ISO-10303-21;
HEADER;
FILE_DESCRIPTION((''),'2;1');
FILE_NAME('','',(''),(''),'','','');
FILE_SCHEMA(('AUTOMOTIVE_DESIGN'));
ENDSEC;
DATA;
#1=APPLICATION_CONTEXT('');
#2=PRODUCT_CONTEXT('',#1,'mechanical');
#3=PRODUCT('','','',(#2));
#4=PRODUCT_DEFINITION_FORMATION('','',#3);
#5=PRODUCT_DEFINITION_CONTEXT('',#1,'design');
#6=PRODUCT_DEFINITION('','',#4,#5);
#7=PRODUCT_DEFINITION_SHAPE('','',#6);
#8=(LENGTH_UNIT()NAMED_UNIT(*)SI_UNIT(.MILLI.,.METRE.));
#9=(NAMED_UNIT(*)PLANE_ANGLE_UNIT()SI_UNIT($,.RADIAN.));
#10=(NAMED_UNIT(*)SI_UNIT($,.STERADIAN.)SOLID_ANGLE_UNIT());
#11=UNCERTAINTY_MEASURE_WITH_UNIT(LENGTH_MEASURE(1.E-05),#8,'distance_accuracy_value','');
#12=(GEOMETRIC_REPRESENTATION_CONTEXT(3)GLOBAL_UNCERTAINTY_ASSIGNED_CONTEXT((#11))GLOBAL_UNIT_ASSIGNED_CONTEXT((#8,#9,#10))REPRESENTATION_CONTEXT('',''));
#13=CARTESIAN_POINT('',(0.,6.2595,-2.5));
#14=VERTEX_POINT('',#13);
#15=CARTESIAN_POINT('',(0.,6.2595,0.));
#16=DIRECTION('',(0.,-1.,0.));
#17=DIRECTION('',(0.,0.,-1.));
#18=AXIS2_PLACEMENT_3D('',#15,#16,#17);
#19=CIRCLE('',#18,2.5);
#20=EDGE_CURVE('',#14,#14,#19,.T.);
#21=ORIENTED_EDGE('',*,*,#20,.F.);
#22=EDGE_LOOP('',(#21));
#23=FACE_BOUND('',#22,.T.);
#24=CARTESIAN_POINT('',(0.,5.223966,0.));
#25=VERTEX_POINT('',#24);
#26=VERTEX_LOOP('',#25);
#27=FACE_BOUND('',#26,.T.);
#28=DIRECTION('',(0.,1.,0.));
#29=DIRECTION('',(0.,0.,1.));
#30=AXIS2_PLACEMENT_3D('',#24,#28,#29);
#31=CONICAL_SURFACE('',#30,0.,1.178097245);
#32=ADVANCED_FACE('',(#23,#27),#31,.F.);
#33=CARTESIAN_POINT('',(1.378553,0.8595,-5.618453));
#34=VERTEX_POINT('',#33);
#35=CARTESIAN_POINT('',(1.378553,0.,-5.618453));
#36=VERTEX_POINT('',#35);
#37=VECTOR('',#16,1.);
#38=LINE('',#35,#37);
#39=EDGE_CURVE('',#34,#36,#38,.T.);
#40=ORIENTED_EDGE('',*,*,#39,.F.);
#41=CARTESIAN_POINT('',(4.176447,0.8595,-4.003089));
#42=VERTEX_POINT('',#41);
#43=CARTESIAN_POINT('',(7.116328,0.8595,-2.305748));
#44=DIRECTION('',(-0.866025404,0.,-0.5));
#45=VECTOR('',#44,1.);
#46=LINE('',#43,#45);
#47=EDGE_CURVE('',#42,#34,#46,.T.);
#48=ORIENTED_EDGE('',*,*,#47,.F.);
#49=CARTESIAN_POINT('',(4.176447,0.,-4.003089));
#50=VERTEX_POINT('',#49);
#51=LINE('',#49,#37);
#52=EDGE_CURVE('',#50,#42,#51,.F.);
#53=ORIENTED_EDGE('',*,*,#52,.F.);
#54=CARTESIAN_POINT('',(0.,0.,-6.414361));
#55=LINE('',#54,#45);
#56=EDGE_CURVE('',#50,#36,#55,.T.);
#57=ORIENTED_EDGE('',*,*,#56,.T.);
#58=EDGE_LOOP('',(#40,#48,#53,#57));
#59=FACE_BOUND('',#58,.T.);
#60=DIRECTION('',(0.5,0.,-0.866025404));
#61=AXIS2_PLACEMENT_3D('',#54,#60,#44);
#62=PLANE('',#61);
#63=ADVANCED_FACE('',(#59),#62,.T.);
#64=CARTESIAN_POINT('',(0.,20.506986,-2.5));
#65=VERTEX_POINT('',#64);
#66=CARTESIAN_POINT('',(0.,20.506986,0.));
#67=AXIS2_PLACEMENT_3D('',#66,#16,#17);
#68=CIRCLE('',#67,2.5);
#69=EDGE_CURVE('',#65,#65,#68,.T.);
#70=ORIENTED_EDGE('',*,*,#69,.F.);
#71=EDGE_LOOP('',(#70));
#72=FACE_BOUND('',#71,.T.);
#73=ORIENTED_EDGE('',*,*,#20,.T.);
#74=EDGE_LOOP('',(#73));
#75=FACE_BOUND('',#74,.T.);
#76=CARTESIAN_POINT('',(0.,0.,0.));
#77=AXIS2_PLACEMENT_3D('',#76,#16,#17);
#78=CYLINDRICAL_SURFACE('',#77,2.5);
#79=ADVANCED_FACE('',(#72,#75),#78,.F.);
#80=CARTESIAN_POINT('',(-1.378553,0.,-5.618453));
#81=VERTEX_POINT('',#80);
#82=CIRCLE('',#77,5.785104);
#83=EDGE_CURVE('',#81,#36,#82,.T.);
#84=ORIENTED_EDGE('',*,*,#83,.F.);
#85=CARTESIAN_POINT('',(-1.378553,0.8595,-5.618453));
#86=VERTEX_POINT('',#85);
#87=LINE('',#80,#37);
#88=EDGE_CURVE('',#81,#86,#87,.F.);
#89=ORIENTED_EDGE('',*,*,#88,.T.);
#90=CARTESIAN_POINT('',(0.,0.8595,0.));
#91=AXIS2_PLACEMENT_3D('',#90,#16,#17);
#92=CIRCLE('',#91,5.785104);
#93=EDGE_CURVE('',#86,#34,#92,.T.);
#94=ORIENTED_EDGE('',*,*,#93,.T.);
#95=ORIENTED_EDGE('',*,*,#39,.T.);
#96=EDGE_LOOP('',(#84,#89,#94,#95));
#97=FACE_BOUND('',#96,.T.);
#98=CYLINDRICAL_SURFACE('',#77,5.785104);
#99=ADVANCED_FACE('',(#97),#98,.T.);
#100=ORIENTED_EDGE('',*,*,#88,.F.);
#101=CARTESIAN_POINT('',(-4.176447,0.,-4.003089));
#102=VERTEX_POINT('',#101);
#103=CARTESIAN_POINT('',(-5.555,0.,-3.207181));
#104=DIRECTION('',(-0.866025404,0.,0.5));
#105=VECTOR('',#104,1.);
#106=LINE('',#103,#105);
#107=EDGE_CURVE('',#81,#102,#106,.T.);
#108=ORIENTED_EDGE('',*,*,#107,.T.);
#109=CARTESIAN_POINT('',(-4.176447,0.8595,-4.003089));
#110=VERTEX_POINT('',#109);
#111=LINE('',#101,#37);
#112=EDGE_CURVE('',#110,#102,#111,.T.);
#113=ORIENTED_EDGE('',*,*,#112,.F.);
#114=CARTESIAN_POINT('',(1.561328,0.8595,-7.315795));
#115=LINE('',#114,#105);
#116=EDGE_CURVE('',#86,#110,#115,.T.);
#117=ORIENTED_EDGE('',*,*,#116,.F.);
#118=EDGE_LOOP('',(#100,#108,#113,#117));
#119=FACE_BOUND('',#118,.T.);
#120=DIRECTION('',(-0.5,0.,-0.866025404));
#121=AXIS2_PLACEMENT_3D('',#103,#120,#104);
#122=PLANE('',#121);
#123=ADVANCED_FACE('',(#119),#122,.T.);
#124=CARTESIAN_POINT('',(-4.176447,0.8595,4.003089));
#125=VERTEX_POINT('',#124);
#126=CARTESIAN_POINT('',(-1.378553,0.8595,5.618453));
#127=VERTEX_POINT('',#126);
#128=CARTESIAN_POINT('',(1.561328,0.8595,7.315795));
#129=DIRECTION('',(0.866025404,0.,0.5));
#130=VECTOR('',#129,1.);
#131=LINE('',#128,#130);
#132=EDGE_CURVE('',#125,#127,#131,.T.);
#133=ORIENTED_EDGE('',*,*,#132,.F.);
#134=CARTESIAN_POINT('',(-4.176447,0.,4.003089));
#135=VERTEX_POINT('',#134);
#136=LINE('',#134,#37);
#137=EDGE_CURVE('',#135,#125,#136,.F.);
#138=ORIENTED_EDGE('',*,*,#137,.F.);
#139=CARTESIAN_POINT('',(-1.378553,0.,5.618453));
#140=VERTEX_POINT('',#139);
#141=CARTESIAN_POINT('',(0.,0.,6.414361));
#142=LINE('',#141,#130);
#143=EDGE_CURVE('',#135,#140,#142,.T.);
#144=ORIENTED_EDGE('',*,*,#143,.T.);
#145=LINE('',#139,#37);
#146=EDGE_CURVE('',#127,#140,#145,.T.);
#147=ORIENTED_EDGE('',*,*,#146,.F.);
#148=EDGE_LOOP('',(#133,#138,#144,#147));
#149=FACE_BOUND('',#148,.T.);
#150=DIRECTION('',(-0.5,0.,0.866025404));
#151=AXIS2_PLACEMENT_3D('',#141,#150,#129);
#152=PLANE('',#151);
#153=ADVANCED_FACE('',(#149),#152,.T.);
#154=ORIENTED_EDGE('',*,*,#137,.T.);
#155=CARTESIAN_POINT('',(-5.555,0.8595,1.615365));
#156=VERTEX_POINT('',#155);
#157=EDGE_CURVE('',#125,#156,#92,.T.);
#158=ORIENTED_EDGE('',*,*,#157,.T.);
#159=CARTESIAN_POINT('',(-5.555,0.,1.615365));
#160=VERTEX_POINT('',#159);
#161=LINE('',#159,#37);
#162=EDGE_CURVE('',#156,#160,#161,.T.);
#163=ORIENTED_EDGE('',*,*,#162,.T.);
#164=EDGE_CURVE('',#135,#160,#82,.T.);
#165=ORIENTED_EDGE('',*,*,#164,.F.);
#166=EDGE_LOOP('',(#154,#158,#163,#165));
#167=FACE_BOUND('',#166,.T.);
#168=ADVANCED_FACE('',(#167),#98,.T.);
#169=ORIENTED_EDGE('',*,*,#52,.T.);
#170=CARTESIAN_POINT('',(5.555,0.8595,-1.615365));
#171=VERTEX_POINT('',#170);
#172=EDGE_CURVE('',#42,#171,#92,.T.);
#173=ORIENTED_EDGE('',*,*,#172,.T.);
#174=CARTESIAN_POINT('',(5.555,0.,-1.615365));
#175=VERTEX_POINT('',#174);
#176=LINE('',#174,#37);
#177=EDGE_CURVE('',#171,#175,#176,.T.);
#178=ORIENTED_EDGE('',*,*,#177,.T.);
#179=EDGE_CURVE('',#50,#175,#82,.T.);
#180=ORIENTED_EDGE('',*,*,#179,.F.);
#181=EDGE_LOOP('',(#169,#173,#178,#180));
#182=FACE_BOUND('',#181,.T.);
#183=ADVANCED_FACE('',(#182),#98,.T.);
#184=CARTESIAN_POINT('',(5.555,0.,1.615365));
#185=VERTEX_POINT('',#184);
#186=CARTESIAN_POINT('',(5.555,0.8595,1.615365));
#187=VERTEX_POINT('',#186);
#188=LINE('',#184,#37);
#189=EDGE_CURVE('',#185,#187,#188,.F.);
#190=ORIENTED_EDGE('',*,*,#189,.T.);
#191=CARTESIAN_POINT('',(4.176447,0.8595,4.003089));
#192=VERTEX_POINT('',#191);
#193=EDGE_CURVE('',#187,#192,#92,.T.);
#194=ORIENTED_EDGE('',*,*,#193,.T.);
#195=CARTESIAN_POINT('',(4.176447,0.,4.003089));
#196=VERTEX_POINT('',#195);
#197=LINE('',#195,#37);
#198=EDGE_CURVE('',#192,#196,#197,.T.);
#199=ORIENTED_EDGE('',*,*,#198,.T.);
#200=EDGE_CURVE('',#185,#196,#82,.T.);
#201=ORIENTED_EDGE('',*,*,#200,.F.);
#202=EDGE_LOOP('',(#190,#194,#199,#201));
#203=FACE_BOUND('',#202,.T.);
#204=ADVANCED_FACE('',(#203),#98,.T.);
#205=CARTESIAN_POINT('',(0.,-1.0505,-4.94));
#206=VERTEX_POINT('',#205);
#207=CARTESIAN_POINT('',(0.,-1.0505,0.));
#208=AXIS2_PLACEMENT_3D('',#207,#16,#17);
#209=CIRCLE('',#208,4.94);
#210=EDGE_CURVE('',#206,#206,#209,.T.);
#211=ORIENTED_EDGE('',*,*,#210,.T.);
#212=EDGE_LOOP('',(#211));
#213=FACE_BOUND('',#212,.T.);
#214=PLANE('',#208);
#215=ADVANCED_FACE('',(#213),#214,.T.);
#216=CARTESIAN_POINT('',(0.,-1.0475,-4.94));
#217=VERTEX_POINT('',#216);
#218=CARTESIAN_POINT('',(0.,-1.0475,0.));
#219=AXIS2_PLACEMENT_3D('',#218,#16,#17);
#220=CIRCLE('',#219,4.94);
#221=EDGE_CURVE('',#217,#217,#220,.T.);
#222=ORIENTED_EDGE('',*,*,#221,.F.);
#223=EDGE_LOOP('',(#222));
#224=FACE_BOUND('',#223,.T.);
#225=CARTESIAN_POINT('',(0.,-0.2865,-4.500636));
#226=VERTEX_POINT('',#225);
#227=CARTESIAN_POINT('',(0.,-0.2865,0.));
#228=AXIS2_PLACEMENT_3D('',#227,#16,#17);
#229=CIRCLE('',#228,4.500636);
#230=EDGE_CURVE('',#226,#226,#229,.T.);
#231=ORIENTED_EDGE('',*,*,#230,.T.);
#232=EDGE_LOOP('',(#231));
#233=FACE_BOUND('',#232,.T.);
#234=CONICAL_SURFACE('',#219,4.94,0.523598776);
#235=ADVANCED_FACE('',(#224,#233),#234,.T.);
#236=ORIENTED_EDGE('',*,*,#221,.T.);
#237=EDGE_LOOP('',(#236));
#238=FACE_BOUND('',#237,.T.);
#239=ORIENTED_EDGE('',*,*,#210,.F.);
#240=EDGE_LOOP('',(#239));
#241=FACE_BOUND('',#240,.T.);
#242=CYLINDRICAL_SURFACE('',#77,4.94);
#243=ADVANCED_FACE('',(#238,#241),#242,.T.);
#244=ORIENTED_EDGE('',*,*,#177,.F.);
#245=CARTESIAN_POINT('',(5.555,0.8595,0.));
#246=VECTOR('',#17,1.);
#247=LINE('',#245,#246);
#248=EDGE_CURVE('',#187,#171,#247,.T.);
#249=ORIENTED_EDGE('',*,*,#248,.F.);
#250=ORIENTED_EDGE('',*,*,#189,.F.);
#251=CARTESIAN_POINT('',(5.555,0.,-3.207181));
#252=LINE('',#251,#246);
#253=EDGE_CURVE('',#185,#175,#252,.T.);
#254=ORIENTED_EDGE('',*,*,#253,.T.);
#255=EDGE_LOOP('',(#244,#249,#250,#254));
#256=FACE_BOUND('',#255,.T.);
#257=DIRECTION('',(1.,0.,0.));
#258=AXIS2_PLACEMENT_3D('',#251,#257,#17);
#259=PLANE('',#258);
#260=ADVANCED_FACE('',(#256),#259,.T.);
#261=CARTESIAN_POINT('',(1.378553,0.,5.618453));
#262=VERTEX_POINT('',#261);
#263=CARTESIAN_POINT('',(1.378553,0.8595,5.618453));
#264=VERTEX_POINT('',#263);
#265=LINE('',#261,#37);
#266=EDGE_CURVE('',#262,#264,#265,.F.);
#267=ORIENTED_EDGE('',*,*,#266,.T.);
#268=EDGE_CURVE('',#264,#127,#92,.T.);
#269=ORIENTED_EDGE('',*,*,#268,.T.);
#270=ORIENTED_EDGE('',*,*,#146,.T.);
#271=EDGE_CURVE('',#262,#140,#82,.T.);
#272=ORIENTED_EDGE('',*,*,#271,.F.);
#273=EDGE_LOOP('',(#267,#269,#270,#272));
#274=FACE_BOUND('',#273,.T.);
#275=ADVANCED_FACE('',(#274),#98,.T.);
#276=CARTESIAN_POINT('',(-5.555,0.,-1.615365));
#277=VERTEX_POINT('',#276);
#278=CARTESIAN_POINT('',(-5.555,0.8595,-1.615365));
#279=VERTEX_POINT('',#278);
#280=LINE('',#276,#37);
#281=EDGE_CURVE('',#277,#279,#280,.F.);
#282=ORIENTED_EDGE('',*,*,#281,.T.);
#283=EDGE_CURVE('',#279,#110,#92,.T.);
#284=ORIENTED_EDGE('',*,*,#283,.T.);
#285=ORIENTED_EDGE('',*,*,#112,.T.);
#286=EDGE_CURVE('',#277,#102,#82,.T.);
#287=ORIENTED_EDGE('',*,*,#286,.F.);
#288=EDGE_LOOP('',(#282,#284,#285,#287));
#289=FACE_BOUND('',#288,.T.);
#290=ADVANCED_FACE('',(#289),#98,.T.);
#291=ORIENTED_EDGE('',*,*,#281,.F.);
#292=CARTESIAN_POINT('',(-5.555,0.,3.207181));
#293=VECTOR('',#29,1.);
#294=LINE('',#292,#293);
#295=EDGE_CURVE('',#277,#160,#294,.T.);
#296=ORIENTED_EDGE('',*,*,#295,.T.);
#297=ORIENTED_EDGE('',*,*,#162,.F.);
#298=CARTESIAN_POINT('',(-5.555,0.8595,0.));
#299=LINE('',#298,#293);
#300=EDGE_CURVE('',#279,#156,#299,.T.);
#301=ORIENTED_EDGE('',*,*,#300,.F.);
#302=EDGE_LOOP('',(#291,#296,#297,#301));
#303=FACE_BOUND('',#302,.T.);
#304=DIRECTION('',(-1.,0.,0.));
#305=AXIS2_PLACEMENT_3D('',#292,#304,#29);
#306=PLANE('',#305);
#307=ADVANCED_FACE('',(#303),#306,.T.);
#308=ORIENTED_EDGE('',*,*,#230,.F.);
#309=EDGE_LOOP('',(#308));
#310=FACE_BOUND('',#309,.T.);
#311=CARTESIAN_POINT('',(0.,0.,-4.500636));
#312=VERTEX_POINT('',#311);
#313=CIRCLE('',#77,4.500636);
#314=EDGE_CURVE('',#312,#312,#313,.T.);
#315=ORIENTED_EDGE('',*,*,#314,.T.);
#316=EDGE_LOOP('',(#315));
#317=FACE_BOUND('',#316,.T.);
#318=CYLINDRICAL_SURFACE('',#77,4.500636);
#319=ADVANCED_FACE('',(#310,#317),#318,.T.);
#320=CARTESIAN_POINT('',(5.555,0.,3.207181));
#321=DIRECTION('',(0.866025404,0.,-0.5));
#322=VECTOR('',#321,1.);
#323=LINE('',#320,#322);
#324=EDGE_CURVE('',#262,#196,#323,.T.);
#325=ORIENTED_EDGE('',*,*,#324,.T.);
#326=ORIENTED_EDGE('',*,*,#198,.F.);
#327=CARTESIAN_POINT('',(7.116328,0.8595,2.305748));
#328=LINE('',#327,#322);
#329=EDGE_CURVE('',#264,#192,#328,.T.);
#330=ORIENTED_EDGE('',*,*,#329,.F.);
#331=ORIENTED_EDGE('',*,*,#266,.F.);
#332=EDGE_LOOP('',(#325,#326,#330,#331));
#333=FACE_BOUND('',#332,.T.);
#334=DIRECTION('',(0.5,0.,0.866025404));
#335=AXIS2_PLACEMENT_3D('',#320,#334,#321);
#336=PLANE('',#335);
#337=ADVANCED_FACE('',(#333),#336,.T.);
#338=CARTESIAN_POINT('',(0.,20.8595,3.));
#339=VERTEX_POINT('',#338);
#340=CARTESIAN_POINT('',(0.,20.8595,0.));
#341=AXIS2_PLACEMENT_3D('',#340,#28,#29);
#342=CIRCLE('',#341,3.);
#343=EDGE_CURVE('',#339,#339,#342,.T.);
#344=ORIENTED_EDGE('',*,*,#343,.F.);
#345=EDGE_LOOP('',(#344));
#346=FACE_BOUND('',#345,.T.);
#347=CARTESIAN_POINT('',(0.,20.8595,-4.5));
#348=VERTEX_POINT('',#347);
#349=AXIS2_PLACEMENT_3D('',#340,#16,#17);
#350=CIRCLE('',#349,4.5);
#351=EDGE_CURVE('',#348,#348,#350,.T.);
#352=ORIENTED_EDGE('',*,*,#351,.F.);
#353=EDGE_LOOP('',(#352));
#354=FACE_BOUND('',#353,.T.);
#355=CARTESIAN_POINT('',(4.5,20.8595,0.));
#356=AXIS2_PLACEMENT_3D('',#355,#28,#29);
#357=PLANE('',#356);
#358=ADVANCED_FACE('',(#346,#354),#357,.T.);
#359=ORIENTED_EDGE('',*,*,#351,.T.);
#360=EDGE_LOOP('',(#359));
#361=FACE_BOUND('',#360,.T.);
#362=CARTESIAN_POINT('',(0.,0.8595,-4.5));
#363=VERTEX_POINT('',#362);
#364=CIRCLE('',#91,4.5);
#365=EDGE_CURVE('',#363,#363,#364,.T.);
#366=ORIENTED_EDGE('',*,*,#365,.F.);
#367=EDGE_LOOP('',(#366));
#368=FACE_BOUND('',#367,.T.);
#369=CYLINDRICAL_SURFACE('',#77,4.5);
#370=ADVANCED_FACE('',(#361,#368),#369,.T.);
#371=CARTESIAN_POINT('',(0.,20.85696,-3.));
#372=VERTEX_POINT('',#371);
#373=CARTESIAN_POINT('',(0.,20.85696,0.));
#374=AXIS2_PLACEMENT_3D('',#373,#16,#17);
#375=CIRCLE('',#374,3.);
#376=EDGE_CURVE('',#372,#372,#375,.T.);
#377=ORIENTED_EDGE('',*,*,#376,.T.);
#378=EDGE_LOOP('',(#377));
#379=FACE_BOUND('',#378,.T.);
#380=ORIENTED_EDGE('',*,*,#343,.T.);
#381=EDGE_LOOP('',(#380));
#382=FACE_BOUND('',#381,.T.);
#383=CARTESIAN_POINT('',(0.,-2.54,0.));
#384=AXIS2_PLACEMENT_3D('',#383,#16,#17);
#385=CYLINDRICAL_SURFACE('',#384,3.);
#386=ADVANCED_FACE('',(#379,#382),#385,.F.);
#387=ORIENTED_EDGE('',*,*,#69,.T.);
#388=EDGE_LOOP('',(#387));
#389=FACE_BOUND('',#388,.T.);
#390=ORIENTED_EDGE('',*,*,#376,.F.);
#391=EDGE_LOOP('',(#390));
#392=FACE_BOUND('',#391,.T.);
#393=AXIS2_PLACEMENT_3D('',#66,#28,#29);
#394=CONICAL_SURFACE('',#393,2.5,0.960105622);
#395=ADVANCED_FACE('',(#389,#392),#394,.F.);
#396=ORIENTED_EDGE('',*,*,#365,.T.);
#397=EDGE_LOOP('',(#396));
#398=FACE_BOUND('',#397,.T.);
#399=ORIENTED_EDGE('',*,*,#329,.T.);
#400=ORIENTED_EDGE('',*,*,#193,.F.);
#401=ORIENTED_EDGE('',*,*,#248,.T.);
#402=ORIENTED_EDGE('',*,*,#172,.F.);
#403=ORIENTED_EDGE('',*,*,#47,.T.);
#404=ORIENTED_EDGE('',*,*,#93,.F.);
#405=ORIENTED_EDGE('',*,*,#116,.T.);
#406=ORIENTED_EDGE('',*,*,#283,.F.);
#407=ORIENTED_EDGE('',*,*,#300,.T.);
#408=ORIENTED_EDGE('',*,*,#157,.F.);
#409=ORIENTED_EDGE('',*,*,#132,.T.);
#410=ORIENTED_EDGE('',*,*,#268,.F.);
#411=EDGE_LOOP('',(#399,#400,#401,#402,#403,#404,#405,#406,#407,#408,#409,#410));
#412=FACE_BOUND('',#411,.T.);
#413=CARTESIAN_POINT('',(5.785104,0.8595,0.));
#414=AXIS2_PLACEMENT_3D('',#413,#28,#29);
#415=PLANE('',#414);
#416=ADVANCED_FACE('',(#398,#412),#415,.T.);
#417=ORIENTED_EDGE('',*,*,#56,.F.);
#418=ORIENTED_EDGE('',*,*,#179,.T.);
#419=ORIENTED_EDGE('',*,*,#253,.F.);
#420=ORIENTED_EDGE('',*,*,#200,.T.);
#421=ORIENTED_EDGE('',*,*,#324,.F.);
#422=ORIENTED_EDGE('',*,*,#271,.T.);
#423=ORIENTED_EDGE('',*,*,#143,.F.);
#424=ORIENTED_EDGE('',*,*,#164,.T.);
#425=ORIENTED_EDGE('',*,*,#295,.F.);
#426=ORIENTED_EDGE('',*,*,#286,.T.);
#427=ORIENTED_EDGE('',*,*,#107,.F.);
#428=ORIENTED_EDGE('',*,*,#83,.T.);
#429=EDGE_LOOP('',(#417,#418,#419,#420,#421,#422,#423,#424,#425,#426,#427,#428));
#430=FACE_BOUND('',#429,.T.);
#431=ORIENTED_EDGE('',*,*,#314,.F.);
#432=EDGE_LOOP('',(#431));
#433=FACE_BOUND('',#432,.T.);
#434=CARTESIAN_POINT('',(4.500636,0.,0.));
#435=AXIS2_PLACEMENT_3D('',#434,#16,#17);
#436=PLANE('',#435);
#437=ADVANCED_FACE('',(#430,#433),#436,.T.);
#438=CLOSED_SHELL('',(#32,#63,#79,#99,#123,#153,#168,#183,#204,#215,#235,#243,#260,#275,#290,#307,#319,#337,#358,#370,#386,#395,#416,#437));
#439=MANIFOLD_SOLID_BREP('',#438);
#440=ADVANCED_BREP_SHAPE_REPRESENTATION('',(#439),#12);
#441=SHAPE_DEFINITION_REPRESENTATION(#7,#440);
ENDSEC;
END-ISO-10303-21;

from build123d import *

# Parameters (mm, degrees)
HEXDIESKE_R  = 6.4443
HEXDIE_DEPTH = 0.8595


with BuildPart() as part:
    # BodySke → Body (revolve)
    with BuildSketch(Plane.XY, mode=Mode.PRIVATE) as body_sk:
        Polygon((4.500636445, 0), (5.785104, 0), (5.785104, 0.8595), (4.5, 0.8595), (4.5, 20.8595), (2.5, 20.8595), (2.5, 11.2595), (0, 11.2595), (0, -1.0505), (4.94, -1.0505), (4.94, -1.0475), (4.500636445, -0.2865), align=None)
    revolve(body_sk.sketch.rotate(Axis((0, 0, 0), (0, 1, 0)), 90), axis=Axis((0, 0, 0), (0, 1, 0)))

    # TapDriSke → TapDrill (revolve, cut)
    with BuildSketch(Plane.XY, mode=Mode.PRIVATE) as tapdrill_sk:
        Polygon((2.5, 6.2595), (2.5, 20.8595), (0, 20.8595), (0, 5.223966094), align=None)
    revolve(tapdrill_sk.sketch.rotate(Axis((0, 0, 0), (0, 1, 0)), 90), axis=Axis((0, 0, 0), (0, 1, 0)), mode=Mode.SUBTRACT)

    # EndChamferSke → EndChamfer (revolve, cut)
    with BuildSketch(Plane.XY, mode=Mode.PRIVATE) as endchamfer_sk:
        Polygon((3, 20.85696), (2.5, 20.506986267), (2.5, 21.1135), (3, 21.1135), align=None)
    revolve(endchamfer_sk.sketch.rotate(Axis((0, -2.54, 0), (0, 1, 0)), 90), axis=Axis((0, -2.54, 0), (0, 1, 0)), mode=Mode.SUBTRACT)

    # HexDieSke → HexDie (cut)
    with BuildSketch(Plane(origin=(0, 0.8595, 0), x_dir=(-1, 0, 0), z_dir=(0, 1, 0))):
        Circle(HEXDIESKE_R)
        Polygon((0, 6.414361491), (5.555, 3.207180745), (5.555, -3.207180745), (0, -6.414361491), (-5.555, -3.207180745), (-5.555, 3.207180745), align=None, mode=Mode.SUBTRACT)
    extrude(amount=-HEXDIE_DEPTH, mode=Mode.SUBTRACT)


solid = part.part
